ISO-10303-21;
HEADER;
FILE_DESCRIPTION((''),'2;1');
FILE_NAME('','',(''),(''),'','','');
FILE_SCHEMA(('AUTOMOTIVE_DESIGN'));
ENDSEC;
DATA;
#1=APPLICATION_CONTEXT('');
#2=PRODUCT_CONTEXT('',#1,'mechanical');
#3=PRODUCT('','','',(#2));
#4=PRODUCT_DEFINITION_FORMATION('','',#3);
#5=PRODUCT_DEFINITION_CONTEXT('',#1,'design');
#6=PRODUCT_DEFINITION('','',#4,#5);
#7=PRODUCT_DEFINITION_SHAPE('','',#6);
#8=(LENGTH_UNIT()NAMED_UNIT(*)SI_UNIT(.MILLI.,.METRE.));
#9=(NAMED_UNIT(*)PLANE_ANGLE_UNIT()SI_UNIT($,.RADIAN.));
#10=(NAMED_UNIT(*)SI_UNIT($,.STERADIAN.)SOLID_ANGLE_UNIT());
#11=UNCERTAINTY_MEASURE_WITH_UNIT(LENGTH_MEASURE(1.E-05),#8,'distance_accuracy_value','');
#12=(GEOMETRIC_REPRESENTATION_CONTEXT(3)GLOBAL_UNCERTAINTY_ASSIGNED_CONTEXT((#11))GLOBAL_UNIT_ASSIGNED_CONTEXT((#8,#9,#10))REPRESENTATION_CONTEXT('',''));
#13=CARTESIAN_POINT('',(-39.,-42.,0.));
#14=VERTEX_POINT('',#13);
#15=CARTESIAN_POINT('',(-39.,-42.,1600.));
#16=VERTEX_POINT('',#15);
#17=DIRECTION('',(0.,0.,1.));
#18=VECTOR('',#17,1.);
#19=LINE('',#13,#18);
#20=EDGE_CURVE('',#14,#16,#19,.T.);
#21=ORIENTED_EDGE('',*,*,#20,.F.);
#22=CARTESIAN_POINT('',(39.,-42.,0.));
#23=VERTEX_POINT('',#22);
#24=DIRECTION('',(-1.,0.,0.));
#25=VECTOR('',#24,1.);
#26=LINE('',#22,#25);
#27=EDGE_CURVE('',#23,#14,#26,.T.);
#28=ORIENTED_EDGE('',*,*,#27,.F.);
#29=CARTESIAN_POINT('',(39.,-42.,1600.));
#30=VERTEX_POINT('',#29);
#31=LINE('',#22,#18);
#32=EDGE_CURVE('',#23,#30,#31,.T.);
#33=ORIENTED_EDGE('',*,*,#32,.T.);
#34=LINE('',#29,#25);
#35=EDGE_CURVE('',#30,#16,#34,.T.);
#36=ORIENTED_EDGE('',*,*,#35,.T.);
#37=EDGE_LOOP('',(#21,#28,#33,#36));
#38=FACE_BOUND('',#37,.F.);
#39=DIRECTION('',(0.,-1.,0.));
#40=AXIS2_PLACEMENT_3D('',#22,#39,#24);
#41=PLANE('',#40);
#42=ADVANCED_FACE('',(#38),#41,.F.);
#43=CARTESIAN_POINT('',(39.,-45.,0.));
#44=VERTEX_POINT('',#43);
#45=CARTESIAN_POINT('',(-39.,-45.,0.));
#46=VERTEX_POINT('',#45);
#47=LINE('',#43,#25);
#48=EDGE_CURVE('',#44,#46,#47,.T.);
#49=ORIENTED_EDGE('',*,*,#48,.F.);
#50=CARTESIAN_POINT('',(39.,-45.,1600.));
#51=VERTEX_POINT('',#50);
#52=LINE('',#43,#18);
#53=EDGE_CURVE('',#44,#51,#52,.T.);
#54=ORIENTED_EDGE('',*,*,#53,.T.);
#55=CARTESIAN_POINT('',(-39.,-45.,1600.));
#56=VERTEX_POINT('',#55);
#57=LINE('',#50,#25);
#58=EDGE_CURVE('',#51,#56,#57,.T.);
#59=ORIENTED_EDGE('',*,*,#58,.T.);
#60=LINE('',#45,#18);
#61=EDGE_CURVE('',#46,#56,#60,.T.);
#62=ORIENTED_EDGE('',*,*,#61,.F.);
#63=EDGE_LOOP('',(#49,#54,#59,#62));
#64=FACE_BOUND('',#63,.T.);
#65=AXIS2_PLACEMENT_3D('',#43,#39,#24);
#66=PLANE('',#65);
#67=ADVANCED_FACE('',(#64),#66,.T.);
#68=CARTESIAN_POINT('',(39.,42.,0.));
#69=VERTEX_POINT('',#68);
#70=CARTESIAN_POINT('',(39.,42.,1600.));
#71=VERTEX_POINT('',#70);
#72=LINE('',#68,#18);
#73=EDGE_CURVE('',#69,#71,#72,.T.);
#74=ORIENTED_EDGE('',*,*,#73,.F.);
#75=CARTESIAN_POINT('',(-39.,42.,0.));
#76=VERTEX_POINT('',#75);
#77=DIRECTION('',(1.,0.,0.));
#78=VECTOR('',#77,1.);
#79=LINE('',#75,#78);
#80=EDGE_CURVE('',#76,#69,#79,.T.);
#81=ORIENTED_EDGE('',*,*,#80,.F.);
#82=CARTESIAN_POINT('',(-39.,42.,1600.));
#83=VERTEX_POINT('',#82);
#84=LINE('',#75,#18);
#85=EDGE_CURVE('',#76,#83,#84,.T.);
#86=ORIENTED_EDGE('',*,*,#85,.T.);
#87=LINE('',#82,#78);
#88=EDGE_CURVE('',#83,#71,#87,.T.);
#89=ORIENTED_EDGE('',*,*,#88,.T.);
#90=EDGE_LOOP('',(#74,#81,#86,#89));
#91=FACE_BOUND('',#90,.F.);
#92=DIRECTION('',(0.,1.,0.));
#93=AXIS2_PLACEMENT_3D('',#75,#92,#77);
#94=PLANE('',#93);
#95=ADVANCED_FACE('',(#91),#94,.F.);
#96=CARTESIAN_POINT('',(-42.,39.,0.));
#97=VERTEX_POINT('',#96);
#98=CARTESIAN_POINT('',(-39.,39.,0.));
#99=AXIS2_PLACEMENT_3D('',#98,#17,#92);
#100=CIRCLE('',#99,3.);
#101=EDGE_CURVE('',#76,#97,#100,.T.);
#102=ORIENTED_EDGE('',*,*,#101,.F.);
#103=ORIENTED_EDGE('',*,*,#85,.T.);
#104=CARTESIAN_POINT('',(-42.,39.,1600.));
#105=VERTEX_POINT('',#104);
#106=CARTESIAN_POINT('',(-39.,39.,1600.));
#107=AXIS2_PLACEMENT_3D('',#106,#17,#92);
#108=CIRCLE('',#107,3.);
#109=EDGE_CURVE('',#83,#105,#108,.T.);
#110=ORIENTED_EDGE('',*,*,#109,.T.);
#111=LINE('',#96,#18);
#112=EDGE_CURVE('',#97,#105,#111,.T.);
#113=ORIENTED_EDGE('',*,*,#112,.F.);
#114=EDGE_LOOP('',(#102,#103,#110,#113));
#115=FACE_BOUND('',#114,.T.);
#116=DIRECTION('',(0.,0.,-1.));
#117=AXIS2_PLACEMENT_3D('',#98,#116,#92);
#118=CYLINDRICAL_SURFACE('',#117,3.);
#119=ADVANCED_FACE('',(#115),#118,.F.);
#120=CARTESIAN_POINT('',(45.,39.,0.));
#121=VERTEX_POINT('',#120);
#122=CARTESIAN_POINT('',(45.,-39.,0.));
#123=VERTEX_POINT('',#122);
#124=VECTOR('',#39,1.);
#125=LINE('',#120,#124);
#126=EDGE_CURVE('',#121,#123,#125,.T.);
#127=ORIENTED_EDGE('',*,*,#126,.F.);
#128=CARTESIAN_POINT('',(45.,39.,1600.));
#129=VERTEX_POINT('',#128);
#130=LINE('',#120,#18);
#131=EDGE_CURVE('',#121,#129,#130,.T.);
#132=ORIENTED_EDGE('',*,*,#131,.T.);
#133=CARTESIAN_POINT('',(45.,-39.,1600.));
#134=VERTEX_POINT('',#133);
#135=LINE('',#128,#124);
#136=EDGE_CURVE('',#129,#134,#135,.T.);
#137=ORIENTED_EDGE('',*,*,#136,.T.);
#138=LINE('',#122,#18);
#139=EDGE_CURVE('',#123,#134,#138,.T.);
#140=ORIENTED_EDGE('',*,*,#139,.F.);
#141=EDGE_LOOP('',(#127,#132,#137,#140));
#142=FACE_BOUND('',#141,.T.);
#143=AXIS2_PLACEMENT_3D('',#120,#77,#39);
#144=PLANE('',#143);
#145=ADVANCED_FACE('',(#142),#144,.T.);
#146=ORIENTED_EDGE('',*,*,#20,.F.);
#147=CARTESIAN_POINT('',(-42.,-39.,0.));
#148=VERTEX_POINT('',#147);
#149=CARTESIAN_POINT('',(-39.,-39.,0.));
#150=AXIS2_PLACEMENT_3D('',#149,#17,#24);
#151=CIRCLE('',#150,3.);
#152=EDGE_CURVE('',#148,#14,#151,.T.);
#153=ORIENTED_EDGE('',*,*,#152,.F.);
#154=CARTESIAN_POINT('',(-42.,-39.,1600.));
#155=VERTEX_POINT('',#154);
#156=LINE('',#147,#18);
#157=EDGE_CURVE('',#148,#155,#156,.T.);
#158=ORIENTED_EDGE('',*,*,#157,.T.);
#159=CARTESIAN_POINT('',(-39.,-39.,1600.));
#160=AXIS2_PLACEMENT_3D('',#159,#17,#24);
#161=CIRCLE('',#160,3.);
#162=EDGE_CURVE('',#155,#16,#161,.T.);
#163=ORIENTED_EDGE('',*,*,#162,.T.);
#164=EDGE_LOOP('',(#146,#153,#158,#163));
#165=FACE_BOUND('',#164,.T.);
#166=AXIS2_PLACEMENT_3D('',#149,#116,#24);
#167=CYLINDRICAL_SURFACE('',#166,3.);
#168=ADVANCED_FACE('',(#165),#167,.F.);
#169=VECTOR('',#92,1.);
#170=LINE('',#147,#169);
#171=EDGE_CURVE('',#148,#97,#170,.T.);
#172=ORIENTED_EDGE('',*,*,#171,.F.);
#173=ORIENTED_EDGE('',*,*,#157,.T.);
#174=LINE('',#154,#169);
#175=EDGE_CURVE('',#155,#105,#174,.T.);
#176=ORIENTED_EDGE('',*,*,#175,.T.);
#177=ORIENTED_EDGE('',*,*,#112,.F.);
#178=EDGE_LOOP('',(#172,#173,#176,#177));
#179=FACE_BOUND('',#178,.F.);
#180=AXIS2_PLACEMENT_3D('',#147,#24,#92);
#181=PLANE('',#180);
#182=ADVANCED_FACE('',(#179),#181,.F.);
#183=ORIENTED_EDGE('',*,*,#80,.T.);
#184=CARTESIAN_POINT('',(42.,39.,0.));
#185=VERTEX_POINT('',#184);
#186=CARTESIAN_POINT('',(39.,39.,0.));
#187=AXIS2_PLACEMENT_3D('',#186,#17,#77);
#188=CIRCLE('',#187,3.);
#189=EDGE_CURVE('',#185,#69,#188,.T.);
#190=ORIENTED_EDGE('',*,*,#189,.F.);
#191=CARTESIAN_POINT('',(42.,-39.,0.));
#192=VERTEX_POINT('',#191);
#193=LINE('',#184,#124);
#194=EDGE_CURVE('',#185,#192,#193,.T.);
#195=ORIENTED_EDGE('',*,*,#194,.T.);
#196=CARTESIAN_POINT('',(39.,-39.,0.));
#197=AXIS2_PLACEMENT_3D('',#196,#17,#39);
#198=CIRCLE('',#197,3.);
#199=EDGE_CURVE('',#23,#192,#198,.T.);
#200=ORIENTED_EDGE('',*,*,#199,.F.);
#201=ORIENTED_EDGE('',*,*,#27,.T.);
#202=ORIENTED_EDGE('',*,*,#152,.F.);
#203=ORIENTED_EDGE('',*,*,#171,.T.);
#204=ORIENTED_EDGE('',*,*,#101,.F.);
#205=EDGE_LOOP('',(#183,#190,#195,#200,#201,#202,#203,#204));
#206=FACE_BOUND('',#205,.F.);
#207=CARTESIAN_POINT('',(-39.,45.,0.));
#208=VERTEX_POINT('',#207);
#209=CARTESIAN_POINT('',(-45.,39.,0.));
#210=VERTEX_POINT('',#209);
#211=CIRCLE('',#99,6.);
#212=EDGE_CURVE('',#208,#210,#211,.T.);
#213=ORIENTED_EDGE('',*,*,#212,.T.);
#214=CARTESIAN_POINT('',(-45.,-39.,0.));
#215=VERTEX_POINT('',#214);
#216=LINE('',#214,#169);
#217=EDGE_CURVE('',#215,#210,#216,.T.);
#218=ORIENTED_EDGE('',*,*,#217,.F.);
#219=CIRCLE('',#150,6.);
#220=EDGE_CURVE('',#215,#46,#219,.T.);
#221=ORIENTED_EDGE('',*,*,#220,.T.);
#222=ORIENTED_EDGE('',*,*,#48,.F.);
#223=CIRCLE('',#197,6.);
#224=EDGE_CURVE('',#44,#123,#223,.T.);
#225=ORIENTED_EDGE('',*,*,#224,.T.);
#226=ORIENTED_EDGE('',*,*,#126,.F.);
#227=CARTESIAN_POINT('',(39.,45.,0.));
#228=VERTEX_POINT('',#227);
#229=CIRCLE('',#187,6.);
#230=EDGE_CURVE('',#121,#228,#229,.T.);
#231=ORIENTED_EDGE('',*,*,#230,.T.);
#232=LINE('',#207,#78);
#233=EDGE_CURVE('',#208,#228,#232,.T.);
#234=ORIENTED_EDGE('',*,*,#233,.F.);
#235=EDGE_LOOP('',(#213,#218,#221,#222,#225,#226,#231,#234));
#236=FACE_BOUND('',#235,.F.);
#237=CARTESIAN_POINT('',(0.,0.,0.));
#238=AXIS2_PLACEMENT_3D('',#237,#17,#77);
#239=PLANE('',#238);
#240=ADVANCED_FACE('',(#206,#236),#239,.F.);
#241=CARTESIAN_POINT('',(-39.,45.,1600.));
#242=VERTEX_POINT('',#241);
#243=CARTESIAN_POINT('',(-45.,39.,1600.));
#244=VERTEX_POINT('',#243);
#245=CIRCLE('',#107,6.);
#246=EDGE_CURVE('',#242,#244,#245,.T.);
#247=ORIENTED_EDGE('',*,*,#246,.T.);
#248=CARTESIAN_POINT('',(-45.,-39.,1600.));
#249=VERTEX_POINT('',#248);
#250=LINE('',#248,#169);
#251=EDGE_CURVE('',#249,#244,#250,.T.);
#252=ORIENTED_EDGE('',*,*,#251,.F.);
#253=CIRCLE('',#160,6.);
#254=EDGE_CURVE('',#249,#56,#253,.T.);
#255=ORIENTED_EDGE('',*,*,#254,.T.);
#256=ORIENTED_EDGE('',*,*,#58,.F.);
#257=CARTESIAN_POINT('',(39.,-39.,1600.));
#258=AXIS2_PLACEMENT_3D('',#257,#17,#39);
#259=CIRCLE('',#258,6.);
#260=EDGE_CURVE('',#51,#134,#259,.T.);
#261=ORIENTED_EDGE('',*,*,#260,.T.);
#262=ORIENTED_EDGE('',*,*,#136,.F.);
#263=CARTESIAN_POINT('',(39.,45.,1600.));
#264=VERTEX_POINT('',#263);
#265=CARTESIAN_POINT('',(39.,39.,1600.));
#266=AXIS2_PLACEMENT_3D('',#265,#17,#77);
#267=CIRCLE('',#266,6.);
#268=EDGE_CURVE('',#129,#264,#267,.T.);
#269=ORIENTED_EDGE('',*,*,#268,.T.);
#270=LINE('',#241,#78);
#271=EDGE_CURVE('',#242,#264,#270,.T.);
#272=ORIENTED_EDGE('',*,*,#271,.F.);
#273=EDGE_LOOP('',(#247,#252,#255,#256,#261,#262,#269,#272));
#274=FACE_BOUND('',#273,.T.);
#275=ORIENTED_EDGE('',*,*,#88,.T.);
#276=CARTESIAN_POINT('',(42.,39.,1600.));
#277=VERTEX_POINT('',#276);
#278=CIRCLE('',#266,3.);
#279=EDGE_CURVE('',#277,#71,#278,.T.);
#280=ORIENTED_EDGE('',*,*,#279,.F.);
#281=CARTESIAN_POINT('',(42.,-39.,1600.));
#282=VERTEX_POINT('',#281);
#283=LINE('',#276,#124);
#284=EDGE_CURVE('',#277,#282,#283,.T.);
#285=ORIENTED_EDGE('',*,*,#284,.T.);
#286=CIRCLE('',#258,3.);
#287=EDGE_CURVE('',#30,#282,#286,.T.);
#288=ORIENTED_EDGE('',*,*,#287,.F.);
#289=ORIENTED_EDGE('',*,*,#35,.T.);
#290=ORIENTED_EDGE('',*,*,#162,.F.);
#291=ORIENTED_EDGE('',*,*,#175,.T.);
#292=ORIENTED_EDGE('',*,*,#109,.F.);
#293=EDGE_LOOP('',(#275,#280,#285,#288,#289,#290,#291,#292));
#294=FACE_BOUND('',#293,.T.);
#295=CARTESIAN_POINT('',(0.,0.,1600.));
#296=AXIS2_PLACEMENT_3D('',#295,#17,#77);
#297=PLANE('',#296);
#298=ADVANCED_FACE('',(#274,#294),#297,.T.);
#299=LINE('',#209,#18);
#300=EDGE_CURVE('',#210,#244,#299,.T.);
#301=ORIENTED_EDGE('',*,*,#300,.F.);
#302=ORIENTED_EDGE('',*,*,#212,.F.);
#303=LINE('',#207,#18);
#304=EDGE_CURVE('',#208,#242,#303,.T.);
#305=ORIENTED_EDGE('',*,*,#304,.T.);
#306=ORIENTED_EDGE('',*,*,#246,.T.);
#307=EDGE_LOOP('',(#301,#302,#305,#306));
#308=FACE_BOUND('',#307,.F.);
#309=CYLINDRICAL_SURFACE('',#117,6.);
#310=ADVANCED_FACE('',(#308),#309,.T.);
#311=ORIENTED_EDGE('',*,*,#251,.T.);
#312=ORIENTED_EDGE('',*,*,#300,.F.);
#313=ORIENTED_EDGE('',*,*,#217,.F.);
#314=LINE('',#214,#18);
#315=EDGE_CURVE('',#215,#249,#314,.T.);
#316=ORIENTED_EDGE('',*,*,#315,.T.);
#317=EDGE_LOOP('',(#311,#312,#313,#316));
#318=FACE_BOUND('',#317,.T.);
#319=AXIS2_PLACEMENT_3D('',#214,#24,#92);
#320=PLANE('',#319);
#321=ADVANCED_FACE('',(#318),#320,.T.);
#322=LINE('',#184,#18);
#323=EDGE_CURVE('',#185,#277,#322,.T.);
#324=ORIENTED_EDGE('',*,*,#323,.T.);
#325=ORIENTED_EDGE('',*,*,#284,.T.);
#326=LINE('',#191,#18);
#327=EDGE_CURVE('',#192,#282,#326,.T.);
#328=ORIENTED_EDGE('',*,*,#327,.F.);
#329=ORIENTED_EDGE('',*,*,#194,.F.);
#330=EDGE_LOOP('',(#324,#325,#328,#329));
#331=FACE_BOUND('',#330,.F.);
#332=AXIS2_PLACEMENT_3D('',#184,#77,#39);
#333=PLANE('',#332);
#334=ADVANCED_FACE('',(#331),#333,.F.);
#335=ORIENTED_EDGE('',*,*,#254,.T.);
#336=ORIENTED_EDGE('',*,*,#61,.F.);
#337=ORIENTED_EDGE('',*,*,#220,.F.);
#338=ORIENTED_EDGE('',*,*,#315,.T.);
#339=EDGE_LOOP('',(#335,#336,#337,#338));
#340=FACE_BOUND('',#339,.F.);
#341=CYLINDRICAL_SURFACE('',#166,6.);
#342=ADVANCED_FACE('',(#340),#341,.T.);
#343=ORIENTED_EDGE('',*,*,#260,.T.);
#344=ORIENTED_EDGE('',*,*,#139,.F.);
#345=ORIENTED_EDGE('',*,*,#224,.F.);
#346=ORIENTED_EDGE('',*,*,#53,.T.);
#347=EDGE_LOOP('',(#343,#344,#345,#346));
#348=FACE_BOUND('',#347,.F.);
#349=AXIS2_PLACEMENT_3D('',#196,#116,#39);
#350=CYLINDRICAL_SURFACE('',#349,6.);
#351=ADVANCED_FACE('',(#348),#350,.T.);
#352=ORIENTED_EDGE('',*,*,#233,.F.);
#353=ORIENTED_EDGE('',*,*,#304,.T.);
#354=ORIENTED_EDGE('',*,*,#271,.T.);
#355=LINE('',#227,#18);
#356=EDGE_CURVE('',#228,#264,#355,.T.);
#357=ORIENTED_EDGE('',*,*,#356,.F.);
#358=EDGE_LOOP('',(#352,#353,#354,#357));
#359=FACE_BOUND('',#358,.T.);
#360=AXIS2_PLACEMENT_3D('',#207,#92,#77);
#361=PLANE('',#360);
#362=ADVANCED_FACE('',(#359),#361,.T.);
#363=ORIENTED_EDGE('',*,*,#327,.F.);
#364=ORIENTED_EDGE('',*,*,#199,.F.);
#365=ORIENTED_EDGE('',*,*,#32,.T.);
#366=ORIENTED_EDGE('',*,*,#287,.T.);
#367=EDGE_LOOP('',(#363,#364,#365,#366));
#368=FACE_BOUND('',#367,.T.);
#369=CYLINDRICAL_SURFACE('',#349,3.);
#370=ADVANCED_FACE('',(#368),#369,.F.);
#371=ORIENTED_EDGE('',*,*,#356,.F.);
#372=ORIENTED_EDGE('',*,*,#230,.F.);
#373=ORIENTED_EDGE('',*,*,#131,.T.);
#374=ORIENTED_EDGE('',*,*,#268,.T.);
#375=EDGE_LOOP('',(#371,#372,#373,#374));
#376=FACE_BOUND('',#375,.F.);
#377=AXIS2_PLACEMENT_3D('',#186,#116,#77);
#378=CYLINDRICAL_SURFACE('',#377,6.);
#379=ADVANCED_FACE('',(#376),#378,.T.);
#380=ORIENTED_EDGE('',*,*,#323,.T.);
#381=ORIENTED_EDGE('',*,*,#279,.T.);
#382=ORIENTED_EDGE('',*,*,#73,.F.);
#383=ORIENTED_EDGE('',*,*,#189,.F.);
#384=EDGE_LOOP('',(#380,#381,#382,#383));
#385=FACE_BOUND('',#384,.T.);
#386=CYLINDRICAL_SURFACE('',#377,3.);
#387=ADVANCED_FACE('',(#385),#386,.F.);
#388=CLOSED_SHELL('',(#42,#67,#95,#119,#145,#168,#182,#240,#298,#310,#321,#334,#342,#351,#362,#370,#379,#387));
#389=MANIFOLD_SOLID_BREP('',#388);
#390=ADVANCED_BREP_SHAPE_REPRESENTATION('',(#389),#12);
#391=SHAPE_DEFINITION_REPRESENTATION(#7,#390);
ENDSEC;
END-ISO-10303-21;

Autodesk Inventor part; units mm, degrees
ref_plane "YZ Plane" through (0, 0, 0) normal (1, 0, 0) x (0, 1, 0)
ref_plane "Start plane" through (0, 0, 0) normal (0, 0, 1) x (1, 0, 0)
ref_plane "End plane" through (0, 0, 1600) normal (0, 0, 1) x (1, 0, 0)
sketch "Sketch" plane through (0, 0, 0) normal (0, 0, 1) x (1, 0, 0)
  line L0 (-45, -39) -> (-45, 39)
  line L1 (-39, 45) -> (39, 45)
  line L2 (45, 39) -> (45, -39)
  line L3 (39, -45) -> (-39, -45)
  arc A0 (-45, -39) -> (-39, -45) centre (-39, -39) ccw
  arc A1 (45, 39) -> (39, 45) centre (39, 39) ccw
  arc A2 (-39, 45) -> (-45, 39) centre (-39, 39) ccw
  arc A3 (39, -45) -> (45, -39) centre (39, -39) ccw
  arc A4 (-39, 42) -> (-42, 39) centre (-39, 39) ccw
  line L4 (-39, 42) -> (39, 42)
  arc A5 (42, 39) -> (39, 42) centre (39, 39) ccw
  line L5 (42, 39) -> (42, -39)
  arc A6 (39, -42) -> (42, -39) centre (39, -39) ccw
  line L6 (39, -42) -> (-39, -42)
  arc A7 (-42, -39) -> (-39, -42) centre (-39, -39) ccw
  line L7 (-42, -39) -> (-42, 39)
  line L8 (0, 50.7397) -> (0, -50.7397) construction
  line L9 (-50.7397, 0) -> (50.7397, 0) construction
  dimension "d7" = 6
  dimension "d9" = 90
  dimension "d11" = 90
  dimension "d12" = 3
  dimension "d15" = 45
  dimension "d16" = 45
extrude "Body" add sketch "Sketch" along normal up to surface (1600 mm away) from surface at 0
sketch "Sketch3" plane through (0, 0, 0) normal (0, 0, 1) x (1, 0, 0)
  line L0 (0, 0) -> (10, 0)
ref_plane "Work Plane3" through (0, 0, 0) normal (0, -1, 0) x (1, 0, 0)
sketch "Sketch4" plane through (0, 0, 0) normal (0, -1, 0) x (1, 0, 0)
  line L0 (-2, 0) -> (12, 0)
  line L1 (-2, 1600) -> (12, 1600)
  dimension "d18" = 1600
equation "\"d7\" = G_IR"
equation "\"d9\" = G_W"
equation "\"d11\" = G_H"
equation "\"d12\" = G_T"
equation "\"d15\" = 0.5 * d9"
equation "\"d16\" = 0.5 * d11"
equation "\"d3\" = G_L"
equation "\"G_W\" = 90"
equation "\"G_H\" = 90"
equation "\"G_T\" = 3"
equation "\"G_IR\" = 6"
equation "\"G_L\" = d18"
equation "\"G_OFFSET_START\" = 0"
equation "\"G_OFFSET_END\" = 0"
properties part number "ISO 10799-2 - 90x90x3 - 1600" material "Steel, Mild"
